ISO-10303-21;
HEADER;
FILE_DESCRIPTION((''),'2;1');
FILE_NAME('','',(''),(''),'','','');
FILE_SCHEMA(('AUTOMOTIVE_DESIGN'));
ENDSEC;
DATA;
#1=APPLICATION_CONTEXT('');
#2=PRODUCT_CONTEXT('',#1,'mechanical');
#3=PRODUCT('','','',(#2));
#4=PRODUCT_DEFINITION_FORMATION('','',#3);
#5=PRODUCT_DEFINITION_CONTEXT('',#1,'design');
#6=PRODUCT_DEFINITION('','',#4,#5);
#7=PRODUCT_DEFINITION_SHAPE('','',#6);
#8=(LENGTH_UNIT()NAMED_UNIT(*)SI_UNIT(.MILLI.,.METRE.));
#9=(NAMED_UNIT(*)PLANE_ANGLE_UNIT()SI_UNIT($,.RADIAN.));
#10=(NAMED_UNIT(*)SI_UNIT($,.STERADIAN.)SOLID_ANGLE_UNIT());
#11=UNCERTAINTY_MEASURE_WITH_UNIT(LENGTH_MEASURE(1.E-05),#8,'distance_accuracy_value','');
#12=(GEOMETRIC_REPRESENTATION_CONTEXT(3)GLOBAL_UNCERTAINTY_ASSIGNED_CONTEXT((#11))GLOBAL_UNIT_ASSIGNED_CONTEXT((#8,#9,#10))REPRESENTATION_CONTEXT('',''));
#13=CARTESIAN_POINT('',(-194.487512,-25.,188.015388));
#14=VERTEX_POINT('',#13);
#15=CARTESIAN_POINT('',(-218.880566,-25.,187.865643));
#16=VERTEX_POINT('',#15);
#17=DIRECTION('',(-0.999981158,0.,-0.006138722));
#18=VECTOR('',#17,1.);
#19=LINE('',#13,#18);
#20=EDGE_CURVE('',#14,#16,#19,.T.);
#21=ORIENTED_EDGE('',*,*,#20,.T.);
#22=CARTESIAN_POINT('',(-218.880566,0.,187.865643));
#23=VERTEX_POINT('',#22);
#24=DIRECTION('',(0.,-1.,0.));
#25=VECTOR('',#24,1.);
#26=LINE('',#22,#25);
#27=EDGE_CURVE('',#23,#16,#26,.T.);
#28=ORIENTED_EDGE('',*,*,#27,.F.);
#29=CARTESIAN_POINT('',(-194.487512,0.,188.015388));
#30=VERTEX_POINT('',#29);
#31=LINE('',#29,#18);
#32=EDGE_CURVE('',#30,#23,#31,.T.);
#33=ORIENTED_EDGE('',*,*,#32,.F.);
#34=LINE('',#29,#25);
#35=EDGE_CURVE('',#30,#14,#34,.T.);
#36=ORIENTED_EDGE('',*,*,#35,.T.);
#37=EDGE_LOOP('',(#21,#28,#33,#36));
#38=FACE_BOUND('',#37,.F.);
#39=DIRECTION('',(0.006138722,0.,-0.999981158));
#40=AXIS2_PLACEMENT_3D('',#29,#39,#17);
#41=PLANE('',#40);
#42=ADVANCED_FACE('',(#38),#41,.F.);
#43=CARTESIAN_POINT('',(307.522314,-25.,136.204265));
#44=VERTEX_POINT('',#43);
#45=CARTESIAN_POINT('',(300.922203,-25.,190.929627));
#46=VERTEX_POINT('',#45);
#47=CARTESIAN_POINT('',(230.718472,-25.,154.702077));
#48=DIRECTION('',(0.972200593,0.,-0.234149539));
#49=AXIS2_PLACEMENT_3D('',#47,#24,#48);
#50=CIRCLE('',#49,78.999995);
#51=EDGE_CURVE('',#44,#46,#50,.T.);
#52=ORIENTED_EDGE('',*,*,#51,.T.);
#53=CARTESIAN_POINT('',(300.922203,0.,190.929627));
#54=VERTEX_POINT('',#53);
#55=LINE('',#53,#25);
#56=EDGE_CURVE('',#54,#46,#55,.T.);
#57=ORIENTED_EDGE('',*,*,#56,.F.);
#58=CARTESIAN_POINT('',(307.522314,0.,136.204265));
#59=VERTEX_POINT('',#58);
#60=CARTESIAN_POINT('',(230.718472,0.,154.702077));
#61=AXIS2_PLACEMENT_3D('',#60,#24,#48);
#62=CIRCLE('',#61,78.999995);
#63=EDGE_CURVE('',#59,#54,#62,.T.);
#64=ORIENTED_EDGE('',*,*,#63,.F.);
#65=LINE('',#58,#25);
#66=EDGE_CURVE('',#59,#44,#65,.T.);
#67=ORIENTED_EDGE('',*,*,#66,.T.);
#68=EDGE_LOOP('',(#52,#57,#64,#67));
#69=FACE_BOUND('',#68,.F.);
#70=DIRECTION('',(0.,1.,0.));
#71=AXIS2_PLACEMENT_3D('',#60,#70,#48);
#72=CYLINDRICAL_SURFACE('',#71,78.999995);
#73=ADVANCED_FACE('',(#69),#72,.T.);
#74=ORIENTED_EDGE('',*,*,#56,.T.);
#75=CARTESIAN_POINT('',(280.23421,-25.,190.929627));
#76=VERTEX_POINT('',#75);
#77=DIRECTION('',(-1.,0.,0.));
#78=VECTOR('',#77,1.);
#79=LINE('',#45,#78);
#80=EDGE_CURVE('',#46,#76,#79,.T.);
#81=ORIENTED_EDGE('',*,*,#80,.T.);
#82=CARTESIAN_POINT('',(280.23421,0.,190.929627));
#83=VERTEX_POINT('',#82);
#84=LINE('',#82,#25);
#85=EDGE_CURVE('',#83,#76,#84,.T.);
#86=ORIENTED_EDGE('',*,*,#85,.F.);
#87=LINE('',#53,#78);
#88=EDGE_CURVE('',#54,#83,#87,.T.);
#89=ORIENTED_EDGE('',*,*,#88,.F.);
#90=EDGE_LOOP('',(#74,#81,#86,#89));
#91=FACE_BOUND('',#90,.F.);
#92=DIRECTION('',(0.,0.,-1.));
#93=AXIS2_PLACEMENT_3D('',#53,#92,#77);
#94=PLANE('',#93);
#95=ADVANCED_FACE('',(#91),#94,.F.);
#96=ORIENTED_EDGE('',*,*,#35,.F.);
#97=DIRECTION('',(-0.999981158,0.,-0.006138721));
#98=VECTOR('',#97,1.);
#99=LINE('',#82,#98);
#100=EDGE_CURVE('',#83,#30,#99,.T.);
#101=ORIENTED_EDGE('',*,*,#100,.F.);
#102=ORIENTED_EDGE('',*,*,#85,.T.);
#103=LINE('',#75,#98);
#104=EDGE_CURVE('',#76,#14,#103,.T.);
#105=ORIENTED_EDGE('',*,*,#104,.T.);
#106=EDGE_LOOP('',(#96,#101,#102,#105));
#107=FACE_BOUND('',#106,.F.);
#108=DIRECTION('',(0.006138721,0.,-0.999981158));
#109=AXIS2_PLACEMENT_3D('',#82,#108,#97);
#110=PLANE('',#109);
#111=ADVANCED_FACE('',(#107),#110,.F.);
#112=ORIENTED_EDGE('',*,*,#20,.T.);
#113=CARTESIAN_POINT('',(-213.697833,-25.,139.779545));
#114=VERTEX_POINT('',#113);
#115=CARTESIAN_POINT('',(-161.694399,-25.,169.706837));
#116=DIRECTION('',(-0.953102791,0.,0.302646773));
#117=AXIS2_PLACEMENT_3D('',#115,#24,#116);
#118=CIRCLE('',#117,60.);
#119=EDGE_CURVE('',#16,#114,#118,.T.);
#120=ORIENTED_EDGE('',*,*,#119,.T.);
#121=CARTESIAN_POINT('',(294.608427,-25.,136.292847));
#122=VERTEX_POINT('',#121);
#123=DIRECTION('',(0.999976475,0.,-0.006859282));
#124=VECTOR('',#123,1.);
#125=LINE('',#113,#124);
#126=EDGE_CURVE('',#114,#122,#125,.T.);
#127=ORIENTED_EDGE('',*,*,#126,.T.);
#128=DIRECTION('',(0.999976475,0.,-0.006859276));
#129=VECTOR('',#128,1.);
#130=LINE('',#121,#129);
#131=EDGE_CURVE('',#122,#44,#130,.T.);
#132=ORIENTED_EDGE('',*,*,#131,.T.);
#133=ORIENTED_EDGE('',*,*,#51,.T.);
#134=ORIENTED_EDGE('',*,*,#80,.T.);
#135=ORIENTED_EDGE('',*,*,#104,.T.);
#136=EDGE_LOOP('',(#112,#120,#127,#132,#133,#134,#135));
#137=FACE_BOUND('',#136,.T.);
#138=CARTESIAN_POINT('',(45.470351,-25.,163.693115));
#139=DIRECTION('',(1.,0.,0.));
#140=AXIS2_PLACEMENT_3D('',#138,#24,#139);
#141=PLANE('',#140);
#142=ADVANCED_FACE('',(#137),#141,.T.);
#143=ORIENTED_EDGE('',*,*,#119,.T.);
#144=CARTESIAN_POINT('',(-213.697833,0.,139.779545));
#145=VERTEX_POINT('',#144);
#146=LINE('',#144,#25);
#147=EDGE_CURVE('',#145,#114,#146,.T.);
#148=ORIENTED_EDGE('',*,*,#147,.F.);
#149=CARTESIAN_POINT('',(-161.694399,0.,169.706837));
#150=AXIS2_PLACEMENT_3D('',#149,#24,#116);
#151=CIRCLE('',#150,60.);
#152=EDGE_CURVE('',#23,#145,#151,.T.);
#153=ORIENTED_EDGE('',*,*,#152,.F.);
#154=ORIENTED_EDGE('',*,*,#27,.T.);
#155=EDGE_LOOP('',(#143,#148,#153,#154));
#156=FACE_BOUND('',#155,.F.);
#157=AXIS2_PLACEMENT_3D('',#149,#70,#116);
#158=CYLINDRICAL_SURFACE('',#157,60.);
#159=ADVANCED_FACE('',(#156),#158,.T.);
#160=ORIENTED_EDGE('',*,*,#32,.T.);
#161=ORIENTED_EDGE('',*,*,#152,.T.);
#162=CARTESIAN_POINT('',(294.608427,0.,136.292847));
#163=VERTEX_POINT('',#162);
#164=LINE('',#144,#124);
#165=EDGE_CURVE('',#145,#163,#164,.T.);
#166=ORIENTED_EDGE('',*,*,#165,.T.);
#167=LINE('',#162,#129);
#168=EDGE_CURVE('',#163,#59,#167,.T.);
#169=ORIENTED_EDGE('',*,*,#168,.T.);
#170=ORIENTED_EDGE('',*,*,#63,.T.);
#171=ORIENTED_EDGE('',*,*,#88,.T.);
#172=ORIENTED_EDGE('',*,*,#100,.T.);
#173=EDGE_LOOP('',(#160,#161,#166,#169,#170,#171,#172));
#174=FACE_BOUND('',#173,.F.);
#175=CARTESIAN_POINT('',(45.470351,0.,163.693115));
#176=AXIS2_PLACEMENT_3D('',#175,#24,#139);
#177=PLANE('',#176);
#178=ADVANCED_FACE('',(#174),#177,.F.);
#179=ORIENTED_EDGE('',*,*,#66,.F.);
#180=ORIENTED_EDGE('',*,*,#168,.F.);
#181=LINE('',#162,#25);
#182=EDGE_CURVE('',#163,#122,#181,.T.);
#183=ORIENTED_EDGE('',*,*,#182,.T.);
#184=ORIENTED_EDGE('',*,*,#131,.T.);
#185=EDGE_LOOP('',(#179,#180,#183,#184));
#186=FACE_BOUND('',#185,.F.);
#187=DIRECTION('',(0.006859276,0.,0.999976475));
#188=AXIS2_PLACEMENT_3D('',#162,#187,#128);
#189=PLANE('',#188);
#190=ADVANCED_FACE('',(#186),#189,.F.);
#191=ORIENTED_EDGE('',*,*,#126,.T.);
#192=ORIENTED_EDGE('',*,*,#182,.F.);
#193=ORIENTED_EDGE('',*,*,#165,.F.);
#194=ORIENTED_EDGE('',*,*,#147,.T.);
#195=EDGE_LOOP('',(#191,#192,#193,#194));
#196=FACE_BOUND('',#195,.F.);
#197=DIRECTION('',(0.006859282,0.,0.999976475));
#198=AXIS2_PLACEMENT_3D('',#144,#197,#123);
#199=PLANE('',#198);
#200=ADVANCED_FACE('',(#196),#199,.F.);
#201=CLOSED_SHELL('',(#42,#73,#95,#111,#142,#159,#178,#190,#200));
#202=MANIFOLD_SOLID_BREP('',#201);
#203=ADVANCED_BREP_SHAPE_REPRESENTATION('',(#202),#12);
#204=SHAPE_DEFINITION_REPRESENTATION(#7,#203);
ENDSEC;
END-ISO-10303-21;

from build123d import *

# Parameters (mm, degrees)
F2_DEPTH = 25


with BuildPart() as f2:
    # F1 (on face) → F2 (new body)
    with BuildSketch(Plane.XZ):
        with BuildLine():
            ThreePointArc((307.522314, 136.204265), (309.150117, 164.161267), (300.922203, 190.929627))
            Line((300.922203, 190.929627), (299.40453, 190.929627))
            Line((299.40453, 190.929627), (280.23421, 190.929627))
            Line((280.23421, 190.929627), (-194.487512, 188.015388))
            Line((-194.487512, 188.015388), (-218.880566, 187.865643))
            ThreePointArc((-218.880566, 187.865643), (-221.348908, 163.277257), (-213.697833, 139.779545))
            Line((-213.697833, 139.779545), (294.608427, 136.292847))
            Line((294.608427, 136.292847), (307.522314, 136.204265))
        make_face()
    extrude(amount=F2_DEPTH)


solid = f2.part
